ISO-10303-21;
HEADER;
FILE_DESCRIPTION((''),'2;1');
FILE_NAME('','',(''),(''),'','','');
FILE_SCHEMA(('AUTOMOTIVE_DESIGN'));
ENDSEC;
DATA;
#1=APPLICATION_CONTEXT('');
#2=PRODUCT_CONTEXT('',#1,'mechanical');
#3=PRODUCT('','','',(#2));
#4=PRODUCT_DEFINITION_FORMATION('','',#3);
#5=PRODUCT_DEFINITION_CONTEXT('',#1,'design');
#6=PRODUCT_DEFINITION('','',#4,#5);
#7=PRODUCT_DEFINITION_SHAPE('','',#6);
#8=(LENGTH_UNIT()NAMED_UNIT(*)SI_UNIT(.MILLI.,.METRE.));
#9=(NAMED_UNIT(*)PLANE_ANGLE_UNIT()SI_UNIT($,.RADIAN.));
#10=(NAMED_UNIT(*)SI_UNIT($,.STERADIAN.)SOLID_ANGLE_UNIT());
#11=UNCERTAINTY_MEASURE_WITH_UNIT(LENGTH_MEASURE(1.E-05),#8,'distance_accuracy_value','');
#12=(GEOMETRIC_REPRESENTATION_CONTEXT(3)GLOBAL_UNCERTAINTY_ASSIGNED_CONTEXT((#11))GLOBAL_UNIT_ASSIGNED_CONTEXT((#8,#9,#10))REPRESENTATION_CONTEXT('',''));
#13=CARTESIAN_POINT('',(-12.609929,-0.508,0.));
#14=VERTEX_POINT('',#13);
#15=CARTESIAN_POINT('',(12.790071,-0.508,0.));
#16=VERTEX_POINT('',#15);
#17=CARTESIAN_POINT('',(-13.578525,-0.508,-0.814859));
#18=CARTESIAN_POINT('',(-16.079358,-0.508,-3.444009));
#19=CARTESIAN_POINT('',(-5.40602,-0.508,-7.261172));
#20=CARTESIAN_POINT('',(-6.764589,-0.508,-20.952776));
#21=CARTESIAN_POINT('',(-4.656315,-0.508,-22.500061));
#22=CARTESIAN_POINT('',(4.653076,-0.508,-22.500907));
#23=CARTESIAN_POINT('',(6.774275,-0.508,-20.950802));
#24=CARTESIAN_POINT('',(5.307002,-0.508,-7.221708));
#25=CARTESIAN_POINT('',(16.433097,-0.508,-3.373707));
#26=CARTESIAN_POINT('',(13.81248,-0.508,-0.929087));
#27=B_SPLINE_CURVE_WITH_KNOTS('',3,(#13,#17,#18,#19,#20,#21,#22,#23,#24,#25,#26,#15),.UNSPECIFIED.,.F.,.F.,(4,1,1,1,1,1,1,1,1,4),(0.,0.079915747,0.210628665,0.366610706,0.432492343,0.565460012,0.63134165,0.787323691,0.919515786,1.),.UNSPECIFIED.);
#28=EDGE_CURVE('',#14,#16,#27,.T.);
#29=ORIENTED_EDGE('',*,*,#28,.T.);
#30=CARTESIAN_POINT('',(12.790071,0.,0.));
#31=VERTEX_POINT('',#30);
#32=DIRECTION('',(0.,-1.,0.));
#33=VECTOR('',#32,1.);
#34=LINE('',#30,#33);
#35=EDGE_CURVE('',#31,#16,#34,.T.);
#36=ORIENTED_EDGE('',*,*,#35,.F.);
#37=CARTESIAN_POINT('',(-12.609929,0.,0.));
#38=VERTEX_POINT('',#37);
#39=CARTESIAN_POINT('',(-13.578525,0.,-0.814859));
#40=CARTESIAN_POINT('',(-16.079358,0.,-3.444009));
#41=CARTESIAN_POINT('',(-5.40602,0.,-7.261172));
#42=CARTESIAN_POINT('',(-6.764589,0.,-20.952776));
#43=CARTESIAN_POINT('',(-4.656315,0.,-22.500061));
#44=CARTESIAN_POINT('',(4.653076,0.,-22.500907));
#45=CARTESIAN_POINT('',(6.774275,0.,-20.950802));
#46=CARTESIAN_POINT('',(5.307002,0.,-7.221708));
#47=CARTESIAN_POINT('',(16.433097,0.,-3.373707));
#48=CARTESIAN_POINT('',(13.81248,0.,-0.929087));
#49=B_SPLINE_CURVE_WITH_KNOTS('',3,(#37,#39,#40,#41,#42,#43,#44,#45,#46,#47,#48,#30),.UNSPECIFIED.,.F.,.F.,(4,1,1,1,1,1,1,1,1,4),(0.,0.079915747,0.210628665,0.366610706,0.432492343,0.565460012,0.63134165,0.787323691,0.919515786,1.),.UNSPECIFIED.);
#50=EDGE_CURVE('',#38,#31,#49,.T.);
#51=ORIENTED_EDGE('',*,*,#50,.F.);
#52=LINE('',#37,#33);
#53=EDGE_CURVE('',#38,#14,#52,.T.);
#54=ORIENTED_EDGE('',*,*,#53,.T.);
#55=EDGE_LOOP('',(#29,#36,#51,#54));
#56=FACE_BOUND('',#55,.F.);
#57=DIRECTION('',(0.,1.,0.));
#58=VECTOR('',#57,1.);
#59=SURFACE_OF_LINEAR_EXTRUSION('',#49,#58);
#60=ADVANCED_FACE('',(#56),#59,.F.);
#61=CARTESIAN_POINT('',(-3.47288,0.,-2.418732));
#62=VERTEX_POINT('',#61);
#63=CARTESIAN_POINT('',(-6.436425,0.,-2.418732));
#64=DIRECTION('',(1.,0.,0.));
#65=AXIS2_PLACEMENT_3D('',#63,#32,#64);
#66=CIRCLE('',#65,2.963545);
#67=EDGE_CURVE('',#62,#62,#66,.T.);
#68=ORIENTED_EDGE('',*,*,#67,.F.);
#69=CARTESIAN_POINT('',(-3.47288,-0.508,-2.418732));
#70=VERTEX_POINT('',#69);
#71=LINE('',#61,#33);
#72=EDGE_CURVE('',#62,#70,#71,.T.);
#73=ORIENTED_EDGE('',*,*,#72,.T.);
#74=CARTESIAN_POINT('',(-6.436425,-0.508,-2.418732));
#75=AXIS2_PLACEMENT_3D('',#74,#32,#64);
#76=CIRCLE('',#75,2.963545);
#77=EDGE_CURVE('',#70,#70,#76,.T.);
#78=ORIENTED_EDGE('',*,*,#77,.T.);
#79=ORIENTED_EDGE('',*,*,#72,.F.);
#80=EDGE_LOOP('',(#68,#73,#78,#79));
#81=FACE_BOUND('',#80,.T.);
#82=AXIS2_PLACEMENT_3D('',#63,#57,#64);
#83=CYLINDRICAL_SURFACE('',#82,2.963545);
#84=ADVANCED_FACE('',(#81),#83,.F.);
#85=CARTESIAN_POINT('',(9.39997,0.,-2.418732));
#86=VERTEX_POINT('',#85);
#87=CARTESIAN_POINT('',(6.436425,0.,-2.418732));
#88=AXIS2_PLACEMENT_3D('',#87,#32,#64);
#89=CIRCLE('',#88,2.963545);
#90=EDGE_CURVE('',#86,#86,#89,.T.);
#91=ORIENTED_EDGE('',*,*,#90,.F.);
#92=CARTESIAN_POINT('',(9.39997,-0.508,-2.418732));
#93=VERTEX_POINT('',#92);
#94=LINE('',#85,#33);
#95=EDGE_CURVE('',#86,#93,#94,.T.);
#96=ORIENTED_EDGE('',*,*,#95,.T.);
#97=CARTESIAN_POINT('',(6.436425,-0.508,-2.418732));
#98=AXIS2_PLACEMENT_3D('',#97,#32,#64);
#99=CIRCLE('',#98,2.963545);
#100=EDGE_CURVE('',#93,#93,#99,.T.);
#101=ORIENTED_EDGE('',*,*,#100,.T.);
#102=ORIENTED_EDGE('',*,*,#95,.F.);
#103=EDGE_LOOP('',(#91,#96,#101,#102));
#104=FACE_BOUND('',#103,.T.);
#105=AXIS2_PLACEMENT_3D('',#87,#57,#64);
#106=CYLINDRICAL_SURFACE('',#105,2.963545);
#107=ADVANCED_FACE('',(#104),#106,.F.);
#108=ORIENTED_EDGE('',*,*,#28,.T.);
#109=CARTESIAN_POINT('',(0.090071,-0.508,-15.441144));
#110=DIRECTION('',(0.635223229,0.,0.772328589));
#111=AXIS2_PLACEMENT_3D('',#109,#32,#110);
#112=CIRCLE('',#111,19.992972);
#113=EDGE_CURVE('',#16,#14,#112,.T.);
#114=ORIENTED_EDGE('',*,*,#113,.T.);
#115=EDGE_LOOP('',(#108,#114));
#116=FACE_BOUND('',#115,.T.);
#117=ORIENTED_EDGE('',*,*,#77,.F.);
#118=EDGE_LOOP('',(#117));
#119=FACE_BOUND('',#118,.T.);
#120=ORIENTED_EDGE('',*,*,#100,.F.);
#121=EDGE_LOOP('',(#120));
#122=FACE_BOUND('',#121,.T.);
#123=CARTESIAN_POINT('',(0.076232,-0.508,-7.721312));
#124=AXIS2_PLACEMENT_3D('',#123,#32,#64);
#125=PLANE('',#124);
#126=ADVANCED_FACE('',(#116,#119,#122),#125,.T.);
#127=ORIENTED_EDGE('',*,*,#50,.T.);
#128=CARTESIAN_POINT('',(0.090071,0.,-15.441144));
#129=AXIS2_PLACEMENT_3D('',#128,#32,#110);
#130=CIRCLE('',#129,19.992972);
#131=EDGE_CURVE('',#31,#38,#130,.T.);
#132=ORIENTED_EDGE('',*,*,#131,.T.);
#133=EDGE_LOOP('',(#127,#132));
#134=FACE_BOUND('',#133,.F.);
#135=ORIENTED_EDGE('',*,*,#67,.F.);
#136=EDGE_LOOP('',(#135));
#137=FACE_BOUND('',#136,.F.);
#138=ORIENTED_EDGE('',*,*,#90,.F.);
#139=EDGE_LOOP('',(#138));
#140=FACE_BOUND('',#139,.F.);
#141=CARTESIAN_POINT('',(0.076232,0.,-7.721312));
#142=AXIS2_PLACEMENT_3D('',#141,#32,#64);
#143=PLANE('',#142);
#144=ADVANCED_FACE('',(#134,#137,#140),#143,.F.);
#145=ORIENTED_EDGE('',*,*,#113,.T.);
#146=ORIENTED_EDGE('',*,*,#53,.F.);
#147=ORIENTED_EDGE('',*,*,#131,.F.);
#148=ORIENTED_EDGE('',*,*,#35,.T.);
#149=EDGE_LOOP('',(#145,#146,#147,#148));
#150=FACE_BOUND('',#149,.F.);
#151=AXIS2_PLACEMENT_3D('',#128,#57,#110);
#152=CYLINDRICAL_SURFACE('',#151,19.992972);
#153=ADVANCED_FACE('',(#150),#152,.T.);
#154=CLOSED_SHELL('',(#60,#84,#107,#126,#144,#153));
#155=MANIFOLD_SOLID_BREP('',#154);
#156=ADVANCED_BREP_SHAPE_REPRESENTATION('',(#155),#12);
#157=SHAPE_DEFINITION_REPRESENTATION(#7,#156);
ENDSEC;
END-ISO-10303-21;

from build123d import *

# Parameters (mm, degrees)
F0_R     = 2.9635447753
F1_DEPTH = 0.508


with BuildPart() as f1:
    # F0 (on Front) → F1 (new body)
    with BuildSketch(Plane.XZ):
        with BuildLine():
            add(Edge.make_bspline(
                [(-12.6099288752, 0), (-13.5785246145, -0.8148590682), (-16.0793577462, -3.444009003), (-5.406019544, -7.2611717887), (-6.7645890144, -20.9527755738), (-4.6563149372, -22.5000606178), (4.6530763057, -22.5009068878), (6.7742749345, -20.9508015165), (5.3070018482, -7.221708219), (16.4330974884, -3.3737070325), (13.8124795465, -0.9290873784), (12.7900711248, 0)],
                knots=[0, 0, 0, 0, 0.0799157474, 0.2106286645, 0.3666107055, 0.4324923434, 0.5654600124, 0.6313416503, 0.7873236912, 0.9195157855, 1, 1, 1, 1], degree=3))
            ThreePointArc((12.7900711248, 0), (0.0900711248, 4.5518280642), (-12.6099288752, 0))
        make_face()
        with Locations((-6.4364247955, -2.4187318049)):
            Circle(F0_R, mode=Mode.SUBTRACT)
        with Locations((6.4364247955, -2.4187318049)):
            Circle(F0_R, mode=Mode.SUBTRACT)
    extrude(amount=F1_DEPTH)


solid = f1.part
